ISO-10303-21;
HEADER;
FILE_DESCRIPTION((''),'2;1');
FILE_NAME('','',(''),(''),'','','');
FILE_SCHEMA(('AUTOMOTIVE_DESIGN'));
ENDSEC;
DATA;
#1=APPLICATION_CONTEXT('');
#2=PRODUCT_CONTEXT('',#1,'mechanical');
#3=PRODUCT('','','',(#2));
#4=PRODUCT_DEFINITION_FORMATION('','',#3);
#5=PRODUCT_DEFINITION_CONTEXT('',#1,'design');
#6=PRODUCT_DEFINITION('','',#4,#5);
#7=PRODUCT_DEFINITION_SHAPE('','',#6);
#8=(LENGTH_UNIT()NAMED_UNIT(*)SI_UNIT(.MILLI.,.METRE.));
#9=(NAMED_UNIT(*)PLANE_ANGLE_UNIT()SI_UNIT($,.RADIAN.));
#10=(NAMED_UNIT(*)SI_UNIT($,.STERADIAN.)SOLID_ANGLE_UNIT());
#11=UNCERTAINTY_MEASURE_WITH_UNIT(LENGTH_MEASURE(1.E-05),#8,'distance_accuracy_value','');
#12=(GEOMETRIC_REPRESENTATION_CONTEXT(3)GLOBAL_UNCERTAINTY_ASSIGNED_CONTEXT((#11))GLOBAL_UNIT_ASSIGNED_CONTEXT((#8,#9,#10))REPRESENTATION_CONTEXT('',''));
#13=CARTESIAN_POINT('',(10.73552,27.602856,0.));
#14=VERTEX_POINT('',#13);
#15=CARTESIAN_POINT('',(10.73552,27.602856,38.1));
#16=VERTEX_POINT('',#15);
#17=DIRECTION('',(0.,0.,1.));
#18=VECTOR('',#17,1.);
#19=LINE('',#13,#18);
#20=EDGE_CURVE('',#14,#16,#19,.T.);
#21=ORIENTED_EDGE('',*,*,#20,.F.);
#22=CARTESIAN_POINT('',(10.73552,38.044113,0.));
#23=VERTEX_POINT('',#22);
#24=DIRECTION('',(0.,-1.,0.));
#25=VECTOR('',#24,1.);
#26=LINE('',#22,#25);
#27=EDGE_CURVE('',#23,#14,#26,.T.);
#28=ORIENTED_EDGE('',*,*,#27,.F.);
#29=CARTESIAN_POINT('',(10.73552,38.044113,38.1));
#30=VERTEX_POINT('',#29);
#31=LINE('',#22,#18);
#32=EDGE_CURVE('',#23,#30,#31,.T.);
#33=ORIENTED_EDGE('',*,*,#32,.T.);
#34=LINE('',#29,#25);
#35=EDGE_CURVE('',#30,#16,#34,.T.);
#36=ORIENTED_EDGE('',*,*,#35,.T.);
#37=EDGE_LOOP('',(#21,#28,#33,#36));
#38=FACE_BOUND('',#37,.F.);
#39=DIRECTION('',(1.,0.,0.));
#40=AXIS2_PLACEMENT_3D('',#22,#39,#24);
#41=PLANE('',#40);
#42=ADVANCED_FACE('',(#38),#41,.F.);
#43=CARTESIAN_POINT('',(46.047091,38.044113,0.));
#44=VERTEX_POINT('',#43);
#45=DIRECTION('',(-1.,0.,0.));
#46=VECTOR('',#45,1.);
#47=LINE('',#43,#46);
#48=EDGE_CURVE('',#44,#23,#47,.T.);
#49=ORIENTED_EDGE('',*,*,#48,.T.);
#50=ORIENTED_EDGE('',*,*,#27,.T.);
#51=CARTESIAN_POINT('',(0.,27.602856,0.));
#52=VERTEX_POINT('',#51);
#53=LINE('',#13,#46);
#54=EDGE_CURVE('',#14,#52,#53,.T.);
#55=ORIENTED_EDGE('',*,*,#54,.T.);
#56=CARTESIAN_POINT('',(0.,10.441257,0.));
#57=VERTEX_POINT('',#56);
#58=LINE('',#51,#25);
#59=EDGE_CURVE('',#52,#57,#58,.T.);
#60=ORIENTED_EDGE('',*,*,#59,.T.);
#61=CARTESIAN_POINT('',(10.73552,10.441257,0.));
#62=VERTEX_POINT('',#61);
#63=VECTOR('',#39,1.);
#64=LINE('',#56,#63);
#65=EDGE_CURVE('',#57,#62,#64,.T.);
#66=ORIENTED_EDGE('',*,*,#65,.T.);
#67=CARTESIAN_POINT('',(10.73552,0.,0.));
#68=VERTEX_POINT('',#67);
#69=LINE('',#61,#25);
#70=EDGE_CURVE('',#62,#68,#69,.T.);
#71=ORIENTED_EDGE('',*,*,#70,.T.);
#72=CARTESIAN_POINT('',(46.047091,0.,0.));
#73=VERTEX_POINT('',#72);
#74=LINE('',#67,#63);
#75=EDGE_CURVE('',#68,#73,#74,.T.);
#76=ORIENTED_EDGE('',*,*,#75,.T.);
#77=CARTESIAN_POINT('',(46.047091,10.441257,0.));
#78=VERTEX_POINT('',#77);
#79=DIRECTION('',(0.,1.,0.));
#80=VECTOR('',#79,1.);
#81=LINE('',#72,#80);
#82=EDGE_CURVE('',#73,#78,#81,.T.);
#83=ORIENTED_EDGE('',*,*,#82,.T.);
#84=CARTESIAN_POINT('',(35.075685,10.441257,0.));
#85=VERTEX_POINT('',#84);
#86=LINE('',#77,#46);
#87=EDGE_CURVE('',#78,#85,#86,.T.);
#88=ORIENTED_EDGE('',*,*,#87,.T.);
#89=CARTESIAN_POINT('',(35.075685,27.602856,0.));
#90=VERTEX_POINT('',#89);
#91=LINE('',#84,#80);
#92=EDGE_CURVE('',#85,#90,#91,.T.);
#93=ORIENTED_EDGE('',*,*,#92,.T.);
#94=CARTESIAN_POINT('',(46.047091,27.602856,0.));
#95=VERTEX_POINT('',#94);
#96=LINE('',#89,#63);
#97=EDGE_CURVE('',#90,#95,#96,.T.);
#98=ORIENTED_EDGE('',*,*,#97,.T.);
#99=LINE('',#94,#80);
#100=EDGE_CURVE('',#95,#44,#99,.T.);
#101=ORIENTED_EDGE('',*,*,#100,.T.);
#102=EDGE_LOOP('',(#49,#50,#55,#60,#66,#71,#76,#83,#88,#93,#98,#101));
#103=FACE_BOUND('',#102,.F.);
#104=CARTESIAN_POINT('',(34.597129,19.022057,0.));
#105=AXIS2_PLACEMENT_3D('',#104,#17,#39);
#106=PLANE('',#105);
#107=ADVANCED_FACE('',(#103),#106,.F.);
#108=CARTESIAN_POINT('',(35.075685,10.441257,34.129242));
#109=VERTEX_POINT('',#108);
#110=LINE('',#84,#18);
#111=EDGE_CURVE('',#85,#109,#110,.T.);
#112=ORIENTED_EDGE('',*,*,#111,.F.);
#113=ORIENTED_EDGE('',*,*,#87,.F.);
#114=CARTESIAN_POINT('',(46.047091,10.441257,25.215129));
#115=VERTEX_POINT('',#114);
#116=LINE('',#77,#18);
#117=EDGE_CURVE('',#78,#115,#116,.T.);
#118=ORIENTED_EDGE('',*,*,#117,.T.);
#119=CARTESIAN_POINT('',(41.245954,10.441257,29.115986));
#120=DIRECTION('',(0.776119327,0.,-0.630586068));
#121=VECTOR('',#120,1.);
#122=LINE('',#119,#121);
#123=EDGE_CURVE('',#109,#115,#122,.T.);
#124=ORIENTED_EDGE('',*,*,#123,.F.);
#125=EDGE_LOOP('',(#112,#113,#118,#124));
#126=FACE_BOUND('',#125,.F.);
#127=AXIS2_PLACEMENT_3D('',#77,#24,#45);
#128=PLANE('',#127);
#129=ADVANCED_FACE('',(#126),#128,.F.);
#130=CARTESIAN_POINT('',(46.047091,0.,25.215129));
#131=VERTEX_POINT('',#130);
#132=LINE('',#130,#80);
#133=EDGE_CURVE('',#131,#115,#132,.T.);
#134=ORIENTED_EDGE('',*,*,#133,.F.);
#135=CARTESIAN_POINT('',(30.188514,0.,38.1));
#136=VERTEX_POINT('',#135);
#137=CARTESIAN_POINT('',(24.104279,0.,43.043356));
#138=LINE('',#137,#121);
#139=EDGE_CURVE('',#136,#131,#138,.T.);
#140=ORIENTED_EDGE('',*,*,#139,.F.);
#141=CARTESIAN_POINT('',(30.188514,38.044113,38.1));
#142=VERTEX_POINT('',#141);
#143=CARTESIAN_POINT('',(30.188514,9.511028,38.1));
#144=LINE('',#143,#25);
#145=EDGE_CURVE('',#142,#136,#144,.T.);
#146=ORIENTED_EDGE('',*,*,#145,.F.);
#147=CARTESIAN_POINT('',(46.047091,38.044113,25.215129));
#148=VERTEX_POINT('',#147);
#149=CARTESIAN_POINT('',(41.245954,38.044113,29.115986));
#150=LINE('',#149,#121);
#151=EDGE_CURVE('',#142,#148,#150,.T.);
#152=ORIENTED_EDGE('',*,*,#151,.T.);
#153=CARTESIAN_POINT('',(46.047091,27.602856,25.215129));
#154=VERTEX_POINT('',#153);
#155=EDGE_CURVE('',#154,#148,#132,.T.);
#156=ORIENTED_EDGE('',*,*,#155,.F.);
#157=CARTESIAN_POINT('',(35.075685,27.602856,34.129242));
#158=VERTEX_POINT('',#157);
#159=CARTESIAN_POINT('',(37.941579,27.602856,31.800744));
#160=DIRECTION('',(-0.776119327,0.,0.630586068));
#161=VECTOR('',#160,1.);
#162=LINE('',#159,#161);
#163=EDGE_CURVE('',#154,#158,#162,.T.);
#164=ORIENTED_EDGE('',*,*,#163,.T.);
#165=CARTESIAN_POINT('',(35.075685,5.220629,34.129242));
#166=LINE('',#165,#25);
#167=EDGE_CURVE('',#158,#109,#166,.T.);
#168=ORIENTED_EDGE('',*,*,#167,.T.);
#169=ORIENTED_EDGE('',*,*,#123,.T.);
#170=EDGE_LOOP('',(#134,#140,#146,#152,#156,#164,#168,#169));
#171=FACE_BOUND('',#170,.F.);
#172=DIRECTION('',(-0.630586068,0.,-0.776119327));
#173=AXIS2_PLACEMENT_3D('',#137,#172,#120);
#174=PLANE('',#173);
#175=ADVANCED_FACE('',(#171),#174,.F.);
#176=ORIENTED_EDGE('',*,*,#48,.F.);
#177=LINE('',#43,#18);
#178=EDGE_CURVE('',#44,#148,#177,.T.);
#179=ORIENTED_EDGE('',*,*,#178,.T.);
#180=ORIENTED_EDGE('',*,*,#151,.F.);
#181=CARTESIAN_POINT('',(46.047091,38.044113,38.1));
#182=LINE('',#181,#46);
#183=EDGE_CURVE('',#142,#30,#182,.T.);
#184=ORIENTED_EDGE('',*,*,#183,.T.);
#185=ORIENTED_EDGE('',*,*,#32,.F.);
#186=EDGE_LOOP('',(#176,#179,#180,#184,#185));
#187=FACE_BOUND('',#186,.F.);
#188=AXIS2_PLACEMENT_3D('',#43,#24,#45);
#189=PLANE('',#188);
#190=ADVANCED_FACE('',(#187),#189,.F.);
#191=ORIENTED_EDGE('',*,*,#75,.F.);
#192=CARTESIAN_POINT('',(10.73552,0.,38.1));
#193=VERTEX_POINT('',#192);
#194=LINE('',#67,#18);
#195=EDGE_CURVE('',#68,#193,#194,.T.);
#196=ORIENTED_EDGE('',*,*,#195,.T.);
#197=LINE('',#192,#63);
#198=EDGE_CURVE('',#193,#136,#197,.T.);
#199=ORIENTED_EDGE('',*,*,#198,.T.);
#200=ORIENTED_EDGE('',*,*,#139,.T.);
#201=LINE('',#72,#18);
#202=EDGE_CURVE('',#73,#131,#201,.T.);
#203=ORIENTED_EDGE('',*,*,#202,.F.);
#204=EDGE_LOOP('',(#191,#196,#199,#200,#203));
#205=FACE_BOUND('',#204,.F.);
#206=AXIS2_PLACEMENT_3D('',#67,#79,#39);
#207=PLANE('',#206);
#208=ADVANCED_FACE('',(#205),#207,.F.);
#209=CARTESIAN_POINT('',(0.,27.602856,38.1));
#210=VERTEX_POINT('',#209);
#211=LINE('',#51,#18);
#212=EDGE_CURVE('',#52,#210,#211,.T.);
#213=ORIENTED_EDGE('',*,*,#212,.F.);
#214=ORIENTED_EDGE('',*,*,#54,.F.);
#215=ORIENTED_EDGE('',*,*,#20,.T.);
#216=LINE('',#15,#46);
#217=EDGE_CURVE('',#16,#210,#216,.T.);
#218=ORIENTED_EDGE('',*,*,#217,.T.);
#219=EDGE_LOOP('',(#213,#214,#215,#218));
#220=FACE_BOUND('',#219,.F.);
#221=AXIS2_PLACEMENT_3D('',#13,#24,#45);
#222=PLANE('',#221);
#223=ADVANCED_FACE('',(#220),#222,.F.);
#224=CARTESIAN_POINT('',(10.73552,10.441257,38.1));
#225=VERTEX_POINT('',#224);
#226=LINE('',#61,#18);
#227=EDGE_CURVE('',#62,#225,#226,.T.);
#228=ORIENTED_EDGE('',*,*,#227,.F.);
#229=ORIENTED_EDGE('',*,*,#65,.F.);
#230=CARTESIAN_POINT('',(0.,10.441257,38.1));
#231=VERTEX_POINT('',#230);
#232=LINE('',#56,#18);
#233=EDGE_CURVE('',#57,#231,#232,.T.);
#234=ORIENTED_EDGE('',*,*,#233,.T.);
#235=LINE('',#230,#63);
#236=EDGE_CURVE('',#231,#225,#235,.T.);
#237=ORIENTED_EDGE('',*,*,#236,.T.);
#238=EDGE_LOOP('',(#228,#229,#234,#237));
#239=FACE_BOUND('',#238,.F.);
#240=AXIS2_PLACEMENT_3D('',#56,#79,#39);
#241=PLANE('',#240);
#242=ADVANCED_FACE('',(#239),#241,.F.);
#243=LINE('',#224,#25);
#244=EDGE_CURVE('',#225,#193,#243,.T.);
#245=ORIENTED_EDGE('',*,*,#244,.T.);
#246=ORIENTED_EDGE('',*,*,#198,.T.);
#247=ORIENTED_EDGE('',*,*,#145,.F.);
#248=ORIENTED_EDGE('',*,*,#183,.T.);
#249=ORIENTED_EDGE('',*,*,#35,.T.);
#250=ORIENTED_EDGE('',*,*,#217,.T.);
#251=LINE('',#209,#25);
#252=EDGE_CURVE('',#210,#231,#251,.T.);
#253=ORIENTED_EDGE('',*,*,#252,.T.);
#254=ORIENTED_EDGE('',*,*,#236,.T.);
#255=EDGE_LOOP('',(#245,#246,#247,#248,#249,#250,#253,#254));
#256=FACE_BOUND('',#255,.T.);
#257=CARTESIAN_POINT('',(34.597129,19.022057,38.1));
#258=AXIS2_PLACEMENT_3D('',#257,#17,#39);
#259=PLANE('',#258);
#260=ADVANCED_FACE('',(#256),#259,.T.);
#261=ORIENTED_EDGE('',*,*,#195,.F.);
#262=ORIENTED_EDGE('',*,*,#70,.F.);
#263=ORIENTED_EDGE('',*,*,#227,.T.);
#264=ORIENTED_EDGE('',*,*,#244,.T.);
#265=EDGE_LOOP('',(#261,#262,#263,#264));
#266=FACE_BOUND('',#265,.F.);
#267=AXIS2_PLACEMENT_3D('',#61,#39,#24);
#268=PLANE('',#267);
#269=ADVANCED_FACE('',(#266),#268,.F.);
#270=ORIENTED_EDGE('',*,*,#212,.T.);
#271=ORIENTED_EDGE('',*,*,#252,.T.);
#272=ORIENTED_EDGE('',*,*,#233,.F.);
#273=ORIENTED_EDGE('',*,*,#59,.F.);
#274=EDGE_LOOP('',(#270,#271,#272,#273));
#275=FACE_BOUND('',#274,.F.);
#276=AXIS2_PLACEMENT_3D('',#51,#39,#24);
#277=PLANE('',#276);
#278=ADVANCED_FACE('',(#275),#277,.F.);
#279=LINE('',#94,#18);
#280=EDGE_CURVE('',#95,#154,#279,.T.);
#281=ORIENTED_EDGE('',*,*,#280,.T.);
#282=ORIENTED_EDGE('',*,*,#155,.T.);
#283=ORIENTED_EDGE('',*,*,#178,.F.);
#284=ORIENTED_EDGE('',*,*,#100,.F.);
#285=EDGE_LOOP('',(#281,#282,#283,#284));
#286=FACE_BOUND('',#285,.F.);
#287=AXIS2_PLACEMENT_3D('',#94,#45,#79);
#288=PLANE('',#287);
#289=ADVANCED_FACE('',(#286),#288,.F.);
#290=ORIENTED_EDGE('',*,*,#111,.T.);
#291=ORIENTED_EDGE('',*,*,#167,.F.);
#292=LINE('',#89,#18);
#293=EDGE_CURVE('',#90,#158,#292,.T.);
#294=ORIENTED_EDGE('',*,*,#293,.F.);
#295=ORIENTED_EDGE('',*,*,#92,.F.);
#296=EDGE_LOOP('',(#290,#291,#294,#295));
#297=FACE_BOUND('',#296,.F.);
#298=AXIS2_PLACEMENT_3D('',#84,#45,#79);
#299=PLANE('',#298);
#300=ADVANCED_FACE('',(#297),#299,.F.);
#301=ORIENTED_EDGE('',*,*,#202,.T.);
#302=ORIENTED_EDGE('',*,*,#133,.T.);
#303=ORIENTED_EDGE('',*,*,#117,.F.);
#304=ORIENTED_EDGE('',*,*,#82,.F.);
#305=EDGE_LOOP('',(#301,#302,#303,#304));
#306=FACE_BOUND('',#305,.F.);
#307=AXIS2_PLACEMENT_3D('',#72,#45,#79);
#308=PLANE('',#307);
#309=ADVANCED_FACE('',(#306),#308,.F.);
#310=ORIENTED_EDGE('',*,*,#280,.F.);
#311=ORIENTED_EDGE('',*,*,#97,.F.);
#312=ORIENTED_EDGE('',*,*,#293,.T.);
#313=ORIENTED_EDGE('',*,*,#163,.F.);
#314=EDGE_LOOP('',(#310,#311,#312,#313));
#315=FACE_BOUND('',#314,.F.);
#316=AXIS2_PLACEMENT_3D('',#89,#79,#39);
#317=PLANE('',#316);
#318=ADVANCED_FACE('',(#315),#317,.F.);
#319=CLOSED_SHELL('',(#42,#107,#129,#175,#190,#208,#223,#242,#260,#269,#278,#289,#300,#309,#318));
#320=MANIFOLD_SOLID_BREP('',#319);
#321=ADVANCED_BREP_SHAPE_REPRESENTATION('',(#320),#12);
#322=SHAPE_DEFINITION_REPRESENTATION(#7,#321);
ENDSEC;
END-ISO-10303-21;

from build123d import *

# Parameters (mm, degrees)
F2_DEPTH = 38.1
F3_DEPTH = 50.8


with BuildPart() as f2:
    # F1 (on Top) → F2 (new body)
    with BuildSketch(Plane.XY):
        Polygon((24.104279, 0), (46.047091, 0), (46.047091, 10.441257), (35.075685, 10.441257), (35.075685, 27.602856), (46.047091, 27.602856), (46.047091, 38.044113), (24.104279, 38.044113), align=None)
        Polygon((10.73552, 0), (24.104279, 0), (24.104279, 38.044113), (10.73552, 38.044113), (10.73552, 27.602856), (0, 27.602856), (0, 10.441257), (10.73552, 10.441257), align=None)
    extrude(amount=F2_DEPTH)

    # F0 (on Front) → F3 (cut)
    with BuildSketch(Plane.XZ):
        Polygon((24.104279, 43.043356), (46.047091, 25.215129), (46.047091, 43.043356), align=None)
    extrude(amount=-F3_DEPTH, mode=Mode.SUBTRACT)


solid = f2.part
